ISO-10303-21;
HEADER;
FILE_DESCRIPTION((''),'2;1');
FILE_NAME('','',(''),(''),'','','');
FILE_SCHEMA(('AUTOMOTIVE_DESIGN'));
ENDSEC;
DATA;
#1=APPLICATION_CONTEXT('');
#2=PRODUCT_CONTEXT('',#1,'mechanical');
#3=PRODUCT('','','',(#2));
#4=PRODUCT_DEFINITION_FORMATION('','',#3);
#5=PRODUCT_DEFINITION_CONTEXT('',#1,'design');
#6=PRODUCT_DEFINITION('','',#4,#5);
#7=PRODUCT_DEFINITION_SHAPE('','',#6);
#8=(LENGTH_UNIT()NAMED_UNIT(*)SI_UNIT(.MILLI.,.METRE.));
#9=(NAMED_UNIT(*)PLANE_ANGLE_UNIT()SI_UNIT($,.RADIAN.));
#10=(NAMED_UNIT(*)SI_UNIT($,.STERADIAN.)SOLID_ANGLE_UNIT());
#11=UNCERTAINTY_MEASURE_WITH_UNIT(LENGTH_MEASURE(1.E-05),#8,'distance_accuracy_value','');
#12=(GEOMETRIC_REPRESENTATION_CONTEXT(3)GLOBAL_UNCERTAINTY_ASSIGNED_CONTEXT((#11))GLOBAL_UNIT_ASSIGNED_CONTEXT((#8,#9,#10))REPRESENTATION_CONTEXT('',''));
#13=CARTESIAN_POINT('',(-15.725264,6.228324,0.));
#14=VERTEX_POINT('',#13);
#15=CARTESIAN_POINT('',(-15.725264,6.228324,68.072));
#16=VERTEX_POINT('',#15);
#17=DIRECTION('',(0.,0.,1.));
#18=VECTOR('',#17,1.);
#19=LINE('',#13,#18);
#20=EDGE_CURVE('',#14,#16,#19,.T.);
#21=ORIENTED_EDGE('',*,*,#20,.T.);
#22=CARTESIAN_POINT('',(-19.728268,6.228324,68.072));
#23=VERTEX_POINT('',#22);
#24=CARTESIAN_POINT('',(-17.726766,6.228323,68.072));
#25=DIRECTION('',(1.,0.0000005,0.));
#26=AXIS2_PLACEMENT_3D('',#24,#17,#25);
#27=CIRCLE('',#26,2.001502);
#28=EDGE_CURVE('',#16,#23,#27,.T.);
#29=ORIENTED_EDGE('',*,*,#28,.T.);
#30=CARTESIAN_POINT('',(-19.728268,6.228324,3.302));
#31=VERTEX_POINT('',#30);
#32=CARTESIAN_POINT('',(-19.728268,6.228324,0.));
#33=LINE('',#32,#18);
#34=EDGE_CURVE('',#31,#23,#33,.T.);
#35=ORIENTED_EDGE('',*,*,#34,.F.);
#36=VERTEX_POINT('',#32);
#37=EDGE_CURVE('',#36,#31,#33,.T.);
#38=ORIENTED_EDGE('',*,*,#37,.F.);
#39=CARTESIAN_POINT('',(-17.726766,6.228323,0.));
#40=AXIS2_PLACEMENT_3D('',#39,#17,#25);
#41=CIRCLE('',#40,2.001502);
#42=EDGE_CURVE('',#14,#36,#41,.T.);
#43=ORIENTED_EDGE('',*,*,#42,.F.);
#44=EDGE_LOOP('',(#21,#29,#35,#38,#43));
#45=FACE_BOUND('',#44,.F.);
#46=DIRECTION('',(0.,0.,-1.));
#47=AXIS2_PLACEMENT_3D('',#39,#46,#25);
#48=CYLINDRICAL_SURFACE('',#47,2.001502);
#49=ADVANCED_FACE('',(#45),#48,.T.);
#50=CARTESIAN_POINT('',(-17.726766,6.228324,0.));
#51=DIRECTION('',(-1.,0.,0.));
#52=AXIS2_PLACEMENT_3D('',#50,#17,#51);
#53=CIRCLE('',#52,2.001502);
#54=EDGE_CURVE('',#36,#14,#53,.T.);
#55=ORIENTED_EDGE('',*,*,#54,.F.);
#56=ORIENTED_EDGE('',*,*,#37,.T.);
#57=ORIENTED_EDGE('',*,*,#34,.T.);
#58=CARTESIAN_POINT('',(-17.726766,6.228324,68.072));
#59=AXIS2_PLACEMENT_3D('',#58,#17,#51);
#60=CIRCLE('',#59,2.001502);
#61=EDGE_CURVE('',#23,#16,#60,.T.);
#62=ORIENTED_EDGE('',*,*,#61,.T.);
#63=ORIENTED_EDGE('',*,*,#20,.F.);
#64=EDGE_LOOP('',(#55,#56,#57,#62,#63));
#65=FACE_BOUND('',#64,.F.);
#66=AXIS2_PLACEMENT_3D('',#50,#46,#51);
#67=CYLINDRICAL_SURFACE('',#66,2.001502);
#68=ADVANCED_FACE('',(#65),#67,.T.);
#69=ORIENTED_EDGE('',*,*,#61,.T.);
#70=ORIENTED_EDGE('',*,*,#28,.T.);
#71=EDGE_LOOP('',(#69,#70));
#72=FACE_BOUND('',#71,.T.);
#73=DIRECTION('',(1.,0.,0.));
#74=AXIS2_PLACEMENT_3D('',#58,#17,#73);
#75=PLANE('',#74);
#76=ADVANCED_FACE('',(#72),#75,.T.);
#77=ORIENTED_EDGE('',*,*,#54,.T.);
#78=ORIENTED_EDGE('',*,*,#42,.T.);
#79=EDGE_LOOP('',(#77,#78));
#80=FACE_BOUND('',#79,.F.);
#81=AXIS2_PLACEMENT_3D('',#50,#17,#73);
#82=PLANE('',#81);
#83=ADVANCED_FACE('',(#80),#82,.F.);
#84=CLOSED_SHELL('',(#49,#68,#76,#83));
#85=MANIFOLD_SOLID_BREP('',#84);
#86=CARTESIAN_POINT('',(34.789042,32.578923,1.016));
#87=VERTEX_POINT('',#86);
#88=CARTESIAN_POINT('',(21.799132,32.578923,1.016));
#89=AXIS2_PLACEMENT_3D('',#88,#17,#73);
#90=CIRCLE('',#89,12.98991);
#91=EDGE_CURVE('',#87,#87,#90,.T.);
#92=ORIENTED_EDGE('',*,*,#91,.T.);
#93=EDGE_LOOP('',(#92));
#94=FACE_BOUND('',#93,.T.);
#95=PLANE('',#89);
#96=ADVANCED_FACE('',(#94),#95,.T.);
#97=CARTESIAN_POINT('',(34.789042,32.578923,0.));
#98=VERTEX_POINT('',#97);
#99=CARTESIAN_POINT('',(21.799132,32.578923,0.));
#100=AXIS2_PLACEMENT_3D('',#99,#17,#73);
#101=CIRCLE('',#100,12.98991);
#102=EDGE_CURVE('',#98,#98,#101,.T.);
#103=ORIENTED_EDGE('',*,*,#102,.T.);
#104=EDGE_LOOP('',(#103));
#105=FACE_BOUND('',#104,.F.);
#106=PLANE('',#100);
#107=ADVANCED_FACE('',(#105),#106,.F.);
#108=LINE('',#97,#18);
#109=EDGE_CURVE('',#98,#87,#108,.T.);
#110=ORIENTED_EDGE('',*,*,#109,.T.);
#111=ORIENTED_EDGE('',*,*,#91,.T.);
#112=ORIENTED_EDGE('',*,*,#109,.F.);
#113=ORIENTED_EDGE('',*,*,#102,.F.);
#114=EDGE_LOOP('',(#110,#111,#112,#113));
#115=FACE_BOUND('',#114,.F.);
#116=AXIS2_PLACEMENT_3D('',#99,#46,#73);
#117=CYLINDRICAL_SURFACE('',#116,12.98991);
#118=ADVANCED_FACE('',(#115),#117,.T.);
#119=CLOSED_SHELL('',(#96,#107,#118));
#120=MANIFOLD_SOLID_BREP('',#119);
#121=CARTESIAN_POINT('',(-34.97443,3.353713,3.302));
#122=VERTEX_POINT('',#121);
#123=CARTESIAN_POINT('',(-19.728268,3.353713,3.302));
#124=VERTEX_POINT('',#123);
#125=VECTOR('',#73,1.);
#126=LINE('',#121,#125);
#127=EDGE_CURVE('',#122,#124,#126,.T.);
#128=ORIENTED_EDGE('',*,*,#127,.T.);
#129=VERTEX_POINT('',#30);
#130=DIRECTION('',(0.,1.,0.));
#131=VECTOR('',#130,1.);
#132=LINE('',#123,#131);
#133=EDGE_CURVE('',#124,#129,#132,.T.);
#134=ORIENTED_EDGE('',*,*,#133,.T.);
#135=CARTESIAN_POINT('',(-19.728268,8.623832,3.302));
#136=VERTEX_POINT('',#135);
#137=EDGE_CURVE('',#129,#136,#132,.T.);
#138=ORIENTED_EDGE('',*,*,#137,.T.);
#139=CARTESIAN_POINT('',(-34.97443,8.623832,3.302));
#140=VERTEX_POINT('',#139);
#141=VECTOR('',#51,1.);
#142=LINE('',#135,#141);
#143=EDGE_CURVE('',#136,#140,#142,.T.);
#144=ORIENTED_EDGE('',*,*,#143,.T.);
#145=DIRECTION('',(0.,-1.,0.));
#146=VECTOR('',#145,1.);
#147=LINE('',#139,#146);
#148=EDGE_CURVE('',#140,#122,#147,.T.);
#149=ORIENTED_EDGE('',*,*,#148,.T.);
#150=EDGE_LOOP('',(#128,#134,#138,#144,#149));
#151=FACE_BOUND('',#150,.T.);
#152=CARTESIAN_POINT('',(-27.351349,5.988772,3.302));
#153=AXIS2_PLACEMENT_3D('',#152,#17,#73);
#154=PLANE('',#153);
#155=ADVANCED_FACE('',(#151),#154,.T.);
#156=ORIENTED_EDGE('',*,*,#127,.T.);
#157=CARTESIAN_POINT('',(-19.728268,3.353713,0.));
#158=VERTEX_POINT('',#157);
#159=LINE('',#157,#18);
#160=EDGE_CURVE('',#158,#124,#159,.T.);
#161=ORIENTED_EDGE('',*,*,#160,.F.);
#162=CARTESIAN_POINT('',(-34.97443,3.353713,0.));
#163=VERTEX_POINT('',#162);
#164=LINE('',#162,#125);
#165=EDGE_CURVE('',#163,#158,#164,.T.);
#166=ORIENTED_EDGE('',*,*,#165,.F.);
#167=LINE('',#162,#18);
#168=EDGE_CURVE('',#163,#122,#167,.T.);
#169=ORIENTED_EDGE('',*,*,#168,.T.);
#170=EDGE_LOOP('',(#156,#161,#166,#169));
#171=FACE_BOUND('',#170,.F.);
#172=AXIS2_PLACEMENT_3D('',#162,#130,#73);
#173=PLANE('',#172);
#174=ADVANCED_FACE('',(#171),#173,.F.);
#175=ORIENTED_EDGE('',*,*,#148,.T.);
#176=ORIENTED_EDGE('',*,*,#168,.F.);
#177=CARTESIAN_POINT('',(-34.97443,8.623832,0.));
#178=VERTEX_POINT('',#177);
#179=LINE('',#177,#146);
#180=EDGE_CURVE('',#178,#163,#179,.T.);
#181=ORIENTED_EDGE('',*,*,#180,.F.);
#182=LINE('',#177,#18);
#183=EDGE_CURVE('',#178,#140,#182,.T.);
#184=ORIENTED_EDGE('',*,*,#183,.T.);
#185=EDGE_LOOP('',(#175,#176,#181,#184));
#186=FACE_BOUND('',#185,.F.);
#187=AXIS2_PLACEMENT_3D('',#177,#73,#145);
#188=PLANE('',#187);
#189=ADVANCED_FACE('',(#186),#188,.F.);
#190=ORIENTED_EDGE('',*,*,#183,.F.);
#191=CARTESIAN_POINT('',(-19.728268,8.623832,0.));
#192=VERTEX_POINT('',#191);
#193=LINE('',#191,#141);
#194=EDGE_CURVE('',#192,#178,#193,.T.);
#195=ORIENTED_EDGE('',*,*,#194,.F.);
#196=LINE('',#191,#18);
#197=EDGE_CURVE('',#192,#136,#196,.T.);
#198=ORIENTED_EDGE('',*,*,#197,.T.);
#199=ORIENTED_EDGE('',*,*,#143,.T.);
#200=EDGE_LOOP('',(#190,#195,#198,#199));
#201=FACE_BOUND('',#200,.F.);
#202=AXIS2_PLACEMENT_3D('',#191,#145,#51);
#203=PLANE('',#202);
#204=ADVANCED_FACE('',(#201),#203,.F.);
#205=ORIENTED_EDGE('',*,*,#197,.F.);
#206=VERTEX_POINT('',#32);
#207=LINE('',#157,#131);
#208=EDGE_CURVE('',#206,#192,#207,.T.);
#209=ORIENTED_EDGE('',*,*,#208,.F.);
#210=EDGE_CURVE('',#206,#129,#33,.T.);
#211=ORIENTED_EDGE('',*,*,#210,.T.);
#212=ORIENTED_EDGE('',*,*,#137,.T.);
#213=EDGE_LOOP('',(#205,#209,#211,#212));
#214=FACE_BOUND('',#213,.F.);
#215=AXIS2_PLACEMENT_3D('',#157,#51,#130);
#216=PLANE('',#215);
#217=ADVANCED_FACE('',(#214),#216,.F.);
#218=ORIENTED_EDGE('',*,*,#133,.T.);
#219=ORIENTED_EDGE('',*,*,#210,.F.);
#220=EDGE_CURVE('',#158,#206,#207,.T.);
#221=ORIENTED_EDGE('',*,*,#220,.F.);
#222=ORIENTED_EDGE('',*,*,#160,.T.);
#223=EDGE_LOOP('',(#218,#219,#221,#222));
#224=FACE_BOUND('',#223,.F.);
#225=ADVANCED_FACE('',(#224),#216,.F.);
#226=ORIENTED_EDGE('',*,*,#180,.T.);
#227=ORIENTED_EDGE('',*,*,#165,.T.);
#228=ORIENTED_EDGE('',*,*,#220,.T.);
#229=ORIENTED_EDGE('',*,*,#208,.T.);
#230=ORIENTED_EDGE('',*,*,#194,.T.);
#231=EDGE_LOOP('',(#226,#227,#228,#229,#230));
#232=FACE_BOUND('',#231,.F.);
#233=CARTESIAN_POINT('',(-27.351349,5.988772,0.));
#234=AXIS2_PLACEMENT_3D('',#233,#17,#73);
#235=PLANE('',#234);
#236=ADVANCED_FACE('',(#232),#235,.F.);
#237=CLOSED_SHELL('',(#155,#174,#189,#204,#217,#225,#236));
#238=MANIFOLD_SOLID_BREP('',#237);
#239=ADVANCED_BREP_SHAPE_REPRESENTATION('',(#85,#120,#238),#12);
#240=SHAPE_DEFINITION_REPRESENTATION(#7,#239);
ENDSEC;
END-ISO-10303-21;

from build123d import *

# Parameters (mm, degrees)
F1_DEPTH = 68.072
F2_DEPTH = 3.302
F0_R     = 12.98991
F3_DEPTH = 1.016


with BuildPart() as f1:
    # F0 (on Top) → F1 (new body)
    with BuildSketch(Plane.XY):
        with BuildLine():
            ThreePointArc((-15.725264, 6.228324), (-17.726766, 8.229825), (-19.728268, 6.228324))
            ThreePointArc((-19.728268, 6.228324), (-17.726766, 4.226822), (-15.725264, 6.228324))
        make_face()
    extrude(amount=F1_DEPTH)

    # F0 (on Top) → F2 (join)
    with BuildSketch(Plane.XY):
        Polygon((-19.728268, 6.228324), (-19.728268, 8.623832), (-34.97443, 8.623832), (-34.97443, 3.353713), (-19.728268, 3.353713), align=None)
    extrude(amount=F2_DEPTH)


with BuildPart() as f3:
    # F0 (on Top) → F3 (new body)
    with BuildSketch(Plane.XY):
        with Locations((21.799132, 32.578923)):
            Circle(F0_R)
    extrude(amount=F3_DEPTH)


solid = Compound([f1.part, f3.part])
